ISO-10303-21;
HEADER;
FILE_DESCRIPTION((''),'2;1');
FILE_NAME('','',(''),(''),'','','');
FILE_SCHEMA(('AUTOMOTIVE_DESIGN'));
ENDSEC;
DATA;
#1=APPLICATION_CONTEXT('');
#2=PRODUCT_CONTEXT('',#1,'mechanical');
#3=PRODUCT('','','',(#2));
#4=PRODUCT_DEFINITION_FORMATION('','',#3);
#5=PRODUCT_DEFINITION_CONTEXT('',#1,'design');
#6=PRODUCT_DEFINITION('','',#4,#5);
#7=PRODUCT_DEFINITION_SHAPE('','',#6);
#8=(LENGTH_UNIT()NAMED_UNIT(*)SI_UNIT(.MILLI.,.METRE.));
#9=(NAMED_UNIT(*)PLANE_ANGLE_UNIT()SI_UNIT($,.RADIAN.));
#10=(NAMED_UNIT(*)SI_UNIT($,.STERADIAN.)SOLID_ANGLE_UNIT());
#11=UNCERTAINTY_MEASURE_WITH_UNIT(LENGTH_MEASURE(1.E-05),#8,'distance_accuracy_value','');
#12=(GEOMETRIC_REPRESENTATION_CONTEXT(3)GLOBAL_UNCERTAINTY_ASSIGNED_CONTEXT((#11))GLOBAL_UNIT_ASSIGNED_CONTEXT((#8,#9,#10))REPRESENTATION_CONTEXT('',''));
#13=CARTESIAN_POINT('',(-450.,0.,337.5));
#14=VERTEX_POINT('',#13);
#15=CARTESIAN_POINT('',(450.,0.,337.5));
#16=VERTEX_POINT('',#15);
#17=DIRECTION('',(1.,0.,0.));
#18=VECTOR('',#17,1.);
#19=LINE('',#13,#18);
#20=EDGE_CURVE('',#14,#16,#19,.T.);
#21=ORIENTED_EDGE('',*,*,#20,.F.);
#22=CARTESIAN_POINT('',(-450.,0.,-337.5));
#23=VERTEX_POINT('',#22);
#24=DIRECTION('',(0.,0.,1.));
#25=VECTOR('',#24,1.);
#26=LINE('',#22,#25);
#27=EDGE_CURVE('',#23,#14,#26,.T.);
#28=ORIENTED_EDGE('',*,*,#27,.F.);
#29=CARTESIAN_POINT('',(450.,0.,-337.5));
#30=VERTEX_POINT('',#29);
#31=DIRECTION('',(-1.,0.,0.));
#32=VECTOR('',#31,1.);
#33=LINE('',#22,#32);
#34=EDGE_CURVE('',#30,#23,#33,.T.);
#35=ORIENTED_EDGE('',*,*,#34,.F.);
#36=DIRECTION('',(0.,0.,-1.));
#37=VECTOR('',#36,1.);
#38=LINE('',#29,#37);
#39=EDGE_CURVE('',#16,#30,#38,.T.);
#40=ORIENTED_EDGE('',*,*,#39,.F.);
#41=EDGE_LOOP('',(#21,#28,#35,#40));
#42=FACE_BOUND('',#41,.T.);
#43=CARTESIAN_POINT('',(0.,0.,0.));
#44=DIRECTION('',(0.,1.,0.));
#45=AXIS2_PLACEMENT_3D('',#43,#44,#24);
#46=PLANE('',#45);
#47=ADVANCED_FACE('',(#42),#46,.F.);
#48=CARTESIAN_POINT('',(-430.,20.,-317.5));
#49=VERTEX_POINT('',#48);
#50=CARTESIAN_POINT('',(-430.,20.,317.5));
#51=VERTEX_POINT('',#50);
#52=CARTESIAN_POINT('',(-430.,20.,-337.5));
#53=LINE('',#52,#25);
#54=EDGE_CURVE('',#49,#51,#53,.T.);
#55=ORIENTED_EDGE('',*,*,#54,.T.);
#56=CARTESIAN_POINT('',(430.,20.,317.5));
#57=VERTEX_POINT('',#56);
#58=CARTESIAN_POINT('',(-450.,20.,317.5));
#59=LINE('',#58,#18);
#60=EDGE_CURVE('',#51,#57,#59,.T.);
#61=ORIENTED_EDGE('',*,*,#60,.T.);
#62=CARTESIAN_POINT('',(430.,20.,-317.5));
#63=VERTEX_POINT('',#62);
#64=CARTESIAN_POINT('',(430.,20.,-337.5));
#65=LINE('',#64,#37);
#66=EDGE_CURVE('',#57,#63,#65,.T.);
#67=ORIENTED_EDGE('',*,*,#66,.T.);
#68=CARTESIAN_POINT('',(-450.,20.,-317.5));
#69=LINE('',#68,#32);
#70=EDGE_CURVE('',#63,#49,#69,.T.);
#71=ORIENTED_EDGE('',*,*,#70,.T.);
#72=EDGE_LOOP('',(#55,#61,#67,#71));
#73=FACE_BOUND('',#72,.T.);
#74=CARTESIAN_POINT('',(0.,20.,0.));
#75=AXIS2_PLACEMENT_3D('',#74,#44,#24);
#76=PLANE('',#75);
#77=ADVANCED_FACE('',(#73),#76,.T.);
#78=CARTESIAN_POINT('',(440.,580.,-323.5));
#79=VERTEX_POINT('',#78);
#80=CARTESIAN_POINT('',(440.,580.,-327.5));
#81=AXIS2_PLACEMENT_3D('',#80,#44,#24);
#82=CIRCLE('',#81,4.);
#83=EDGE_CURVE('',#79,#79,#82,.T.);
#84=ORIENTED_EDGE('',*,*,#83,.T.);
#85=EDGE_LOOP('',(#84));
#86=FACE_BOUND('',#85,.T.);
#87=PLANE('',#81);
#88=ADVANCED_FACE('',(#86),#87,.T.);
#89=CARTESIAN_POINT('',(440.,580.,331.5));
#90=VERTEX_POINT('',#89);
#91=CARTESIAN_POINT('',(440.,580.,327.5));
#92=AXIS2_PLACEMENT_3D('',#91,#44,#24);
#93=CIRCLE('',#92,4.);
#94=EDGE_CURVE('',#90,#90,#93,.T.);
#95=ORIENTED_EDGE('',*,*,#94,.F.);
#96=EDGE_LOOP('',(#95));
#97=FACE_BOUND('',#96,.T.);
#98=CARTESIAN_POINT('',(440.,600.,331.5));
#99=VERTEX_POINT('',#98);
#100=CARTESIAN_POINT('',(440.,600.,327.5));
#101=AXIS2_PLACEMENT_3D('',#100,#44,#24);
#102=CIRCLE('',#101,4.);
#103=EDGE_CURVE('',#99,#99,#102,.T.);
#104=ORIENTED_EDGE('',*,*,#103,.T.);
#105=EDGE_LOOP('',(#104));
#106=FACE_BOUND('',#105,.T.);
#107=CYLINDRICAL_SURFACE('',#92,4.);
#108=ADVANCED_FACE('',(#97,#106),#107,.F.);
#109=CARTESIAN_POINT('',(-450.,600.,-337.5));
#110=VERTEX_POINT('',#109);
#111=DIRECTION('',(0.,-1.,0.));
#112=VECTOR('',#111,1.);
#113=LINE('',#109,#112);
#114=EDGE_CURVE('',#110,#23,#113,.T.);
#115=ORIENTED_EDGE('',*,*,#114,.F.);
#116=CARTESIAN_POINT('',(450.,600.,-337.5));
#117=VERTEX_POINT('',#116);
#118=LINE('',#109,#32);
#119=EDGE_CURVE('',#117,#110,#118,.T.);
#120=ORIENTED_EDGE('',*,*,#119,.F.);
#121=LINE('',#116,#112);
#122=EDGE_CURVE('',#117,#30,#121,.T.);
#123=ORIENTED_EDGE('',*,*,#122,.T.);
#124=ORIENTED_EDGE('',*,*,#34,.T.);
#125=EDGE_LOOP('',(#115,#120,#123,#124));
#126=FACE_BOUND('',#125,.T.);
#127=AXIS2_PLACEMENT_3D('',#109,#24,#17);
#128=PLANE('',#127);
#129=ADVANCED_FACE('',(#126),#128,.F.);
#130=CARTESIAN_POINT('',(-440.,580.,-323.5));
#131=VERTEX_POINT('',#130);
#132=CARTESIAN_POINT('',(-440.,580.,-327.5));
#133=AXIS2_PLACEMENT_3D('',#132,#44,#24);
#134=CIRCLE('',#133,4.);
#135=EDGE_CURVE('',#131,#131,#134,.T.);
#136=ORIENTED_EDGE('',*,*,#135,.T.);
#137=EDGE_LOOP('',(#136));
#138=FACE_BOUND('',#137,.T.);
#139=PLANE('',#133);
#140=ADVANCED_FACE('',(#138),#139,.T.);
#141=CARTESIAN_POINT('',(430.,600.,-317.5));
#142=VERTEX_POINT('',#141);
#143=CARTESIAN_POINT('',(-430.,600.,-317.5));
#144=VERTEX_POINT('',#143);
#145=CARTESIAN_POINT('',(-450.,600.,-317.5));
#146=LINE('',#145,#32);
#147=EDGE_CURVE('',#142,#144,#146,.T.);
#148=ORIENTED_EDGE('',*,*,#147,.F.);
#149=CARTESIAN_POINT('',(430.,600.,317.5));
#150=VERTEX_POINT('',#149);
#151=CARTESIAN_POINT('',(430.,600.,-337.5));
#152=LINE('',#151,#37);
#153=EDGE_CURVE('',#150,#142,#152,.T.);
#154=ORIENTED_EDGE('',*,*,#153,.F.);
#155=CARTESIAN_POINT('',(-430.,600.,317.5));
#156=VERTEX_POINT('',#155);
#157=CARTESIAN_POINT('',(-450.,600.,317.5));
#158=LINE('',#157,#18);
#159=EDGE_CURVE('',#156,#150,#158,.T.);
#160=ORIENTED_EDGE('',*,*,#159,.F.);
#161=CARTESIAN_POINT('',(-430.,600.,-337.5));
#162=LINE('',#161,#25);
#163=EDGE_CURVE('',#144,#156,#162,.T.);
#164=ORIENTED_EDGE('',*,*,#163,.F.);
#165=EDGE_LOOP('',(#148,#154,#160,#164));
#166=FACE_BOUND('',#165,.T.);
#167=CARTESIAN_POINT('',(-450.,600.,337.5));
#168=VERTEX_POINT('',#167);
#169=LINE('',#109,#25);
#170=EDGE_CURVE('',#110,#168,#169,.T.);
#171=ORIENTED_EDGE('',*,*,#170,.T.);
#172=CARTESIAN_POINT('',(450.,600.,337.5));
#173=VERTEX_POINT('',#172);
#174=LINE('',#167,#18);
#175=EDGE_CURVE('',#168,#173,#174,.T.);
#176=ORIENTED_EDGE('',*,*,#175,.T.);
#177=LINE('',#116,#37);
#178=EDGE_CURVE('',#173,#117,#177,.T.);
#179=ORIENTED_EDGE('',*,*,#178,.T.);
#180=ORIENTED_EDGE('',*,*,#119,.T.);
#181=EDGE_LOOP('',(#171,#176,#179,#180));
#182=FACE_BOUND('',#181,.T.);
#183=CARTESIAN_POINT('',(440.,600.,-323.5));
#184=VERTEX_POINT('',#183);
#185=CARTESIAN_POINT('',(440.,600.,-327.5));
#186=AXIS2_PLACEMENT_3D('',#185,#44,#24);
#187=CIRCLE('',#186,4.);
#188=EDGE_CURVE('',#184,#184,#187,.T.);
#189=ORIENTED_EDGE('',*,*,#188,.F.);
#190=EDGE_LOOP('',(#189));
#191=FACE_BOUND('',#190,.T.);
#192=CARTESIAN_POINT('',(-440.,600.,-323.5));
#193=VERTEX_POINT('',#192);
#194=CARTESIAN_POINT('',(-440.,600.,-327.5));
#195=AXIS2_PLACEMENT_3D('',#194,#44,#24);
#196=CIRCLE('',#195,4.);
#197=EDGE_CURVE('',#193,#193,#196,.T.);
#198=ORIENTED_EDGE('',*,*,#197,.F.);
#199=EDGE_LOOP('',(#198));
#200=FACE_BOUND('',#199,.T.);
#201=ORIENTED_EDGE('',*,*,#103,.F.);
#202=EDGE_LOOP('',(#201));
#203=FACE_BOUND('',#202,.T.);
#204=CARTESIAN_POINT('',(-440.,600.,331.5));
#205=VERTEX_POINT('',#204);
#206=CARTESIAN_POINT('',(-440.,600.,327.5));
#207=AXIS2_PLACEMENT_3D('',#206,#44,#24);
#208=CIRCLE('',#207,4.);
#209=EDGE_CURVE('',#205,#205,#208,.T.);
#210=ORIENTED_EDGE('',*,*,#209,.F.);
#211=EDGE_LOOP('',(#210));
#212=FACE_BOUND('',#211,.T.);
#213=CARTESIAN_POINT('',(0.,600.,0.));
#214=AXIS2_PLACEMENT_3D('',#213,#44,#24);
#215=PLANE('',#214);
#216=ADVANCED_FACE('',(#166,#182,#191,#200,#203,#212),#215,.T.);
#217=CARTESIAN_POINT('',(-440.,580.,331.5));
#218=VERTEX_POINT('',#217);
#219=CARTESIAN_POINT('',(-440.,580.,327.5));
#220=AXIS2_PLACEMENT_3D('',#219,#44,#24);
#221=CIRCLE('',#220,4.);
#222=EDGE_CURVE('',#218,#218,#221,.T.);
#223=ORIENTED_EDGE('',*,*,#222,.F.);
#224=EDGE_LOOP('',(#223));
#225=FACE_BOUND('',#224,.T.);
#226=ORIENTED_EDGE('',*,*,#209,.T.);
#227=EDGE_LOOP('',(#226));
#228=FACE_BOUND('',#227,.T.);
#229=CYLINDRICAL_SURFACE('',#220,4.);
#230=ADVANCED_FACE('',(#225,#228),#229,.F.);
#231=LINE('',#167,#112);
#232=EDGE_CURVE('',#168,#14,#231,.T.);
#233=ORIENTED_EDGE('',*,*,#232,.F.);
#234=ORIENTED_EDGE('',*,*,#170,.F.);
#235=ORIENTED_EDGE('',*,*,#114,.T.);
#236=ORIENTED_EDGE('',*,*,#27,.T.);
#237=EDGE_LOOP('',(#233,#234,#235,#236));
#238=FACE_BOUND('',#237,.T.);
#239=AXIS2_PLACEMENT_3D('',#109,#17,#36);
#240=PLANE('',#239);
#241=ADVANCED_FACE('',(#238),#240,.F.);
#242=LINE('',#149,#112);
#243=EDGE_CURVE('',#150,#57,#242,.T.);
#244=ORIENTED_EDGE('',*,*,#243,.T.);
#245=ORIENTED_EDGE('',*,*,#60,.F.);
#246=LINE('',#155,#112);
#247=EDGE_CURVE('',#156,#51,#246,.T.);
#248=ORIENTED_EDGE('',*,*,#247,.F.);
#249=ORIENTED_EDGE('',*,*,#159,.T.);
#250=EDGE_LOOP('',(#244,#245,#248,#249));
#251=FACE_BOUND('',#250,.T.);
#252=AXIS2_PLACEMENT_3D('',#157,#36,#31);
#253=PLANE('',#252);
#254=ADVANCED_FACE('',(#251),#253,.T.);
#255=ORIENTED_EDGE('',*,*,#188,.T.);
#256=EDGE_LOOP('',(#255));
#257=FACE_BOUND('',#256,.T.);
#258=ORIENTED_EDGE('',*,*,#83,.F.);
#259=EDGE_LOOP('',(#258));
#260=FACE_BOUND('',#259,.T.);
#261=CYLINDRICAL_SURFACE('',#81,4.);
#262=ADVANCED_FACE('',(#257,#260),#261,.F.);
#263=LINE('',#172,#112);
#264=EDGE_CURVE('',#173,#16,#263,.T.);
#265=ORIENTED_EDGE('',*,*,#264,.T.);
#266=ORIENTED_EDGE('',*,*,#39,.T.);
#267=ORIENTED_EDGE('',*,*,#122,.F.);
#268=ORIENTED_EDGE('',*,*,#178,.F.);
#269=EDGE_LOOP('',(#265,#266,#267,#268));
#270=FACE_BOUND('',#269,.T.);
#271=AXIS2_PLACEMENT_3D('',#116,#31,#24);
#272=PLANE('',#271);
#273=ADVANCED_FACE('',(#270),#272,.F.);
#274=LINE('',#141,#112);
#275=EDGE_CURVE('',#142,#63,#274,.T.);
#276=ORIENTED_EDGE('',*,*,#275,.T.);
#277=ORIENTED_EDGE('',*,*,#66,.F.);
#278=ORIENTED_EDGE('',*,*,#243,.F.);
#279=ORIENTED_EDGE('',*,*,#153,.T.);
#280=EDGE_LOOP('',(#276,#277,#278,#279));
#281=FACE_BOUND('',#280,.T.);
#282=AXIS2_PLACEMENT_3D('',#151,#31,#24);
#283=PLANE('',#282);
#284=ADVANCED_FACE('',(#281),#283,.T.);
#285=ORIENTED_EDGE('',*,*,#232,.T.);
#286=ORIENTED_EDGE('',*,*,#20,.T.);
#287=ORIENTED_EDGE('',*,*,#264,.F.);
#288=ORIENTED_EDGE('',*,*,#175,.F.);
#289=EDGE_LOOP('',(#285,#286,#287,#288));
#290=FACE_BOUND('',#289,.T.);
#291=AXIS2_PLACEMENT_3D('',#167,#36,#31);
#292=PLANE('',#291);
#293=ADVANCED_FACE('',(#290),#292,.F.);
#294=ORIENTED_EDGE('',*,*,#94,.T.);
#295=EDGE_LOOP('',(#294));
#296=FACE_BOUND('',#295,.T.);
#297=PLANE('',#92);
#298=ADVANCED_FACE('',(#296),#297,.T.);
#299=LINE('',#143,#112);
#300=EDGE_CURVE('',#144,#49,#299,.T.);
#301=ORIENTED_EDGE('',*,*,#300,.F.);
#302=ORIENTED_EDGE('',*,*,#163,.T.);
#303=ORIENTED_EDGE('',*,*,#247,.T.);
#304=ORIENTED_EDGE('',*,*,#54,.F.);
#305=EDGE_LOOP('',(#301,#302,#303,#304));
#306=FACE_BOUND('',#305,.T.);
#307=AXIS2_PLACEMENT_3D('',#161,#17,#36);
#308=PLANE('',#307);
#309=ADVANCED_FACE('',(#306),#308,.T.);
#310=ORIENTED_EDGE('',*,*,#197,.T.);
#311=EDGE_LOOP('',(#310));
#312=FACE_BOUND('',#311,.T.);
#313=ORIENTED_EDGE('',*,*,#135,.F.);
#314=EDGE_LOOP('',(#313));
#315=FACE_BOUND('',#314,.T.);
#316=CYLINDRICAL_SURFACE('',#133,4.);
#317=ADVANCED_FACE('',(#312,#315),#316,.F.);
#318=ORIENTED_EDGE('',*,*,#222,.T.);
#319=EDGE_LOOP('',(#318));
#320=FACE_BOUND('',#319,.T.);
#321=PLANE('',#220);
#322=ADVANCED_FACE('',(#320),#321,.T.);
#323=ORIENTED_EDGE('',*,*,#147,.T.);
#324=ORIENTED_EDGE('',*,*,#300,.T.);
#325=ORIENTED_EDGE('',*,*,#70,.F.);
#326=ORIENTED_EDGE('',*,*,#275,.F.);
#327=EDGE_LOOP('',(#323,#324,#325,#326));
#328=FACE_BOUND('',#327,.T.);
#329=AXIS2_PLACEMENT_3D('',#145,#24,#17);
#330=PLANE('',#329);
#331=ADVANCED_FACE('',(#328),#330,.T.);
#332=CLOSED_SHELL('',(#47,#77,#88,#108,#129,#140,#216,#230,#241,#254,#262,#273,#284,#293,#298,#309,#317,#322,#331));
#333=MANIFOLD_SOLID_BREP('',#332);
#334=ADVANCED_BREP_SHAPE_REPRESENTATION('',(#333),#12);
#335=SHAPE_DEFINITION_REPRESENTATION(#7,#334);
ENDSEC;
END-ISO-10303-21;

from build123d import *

# Parameters (mm, degrees)
SKETCH1_W           = 900
SKETCH1_H           = 675
BOSS_EXTRUDE1_DEPTH = 600
SHELL1_T            = -20
SKETCH5_R           = 4
CUT_EXTRUDE1_DEPTH  = 20
SKETCH6_R           = 4
CUT_EXTRUDE2_DEPTH  = 20
SKETCH7_R           = 4
CUT_EXTRUDE3_DEPTH  = 20
SKETCH8_R           = 4
CUT_EXTRUDE4_DEPTH  = 20


with BuildPart() as part:
    # Sketch1 → Boss-Extrude1 (new body)
    with BuildSketch(Plane(origin=(0, 0, 0), x_dir=(1, 0, 0), z_dir=(0, 1, 0))):
        Rectangle(SKETCH1_W, SKETCH1_H)
    extrude(amount=BOSS_EXTRUDE1_DEPTH)

    # Shell1
    shell1_openings = [part.faces().sort_by_distance(p)[0] for p in [
        (0, 600, 0),
    ]]
    offset(amount=SHELL1_T, openings=shell1_openings, kind=Kind.INTERSECTION)

    # Sketch5 → Cut-Extrude1 (cut)
    with BuildSketch(Plane(origin=(0, 600, 0), x_dir=(1, 0, 0), z_dir=(0, 1, 0))):
        with Locations(Location((-440, -327.5, 0), (0, 0, 270))):
            Circle(SKETCH5_R)
    extrude(amount=-CUT_EXTRUDE1_DEPTH, mode=Mode.SUBTRACT)

    # Sketch6 → Cut-Extrude2 (cut)
    with BuildSketch(Plane(origin=(0, 600, 0), x_dir=(1, 0, 0), z_dir=(0, 1, 0))):
        with Locations(Location((440, -327.5, 0), (0, 0, 270))):
            Circle(SKETCH6_R)
    extrude(amount=-CUT_EXTRUDE2_DEPTH, mode=Mode.SUBTRACT)

    # Sketch7 → Cut-Extrude3 (cut)
    with BuildSketch(Plane(origin=(0, 600, 0), x_dir=(1, 0, 0), z_dir=(0, 1, 0))):
        with Locations(Location((440, 327.5, 0), (0, 0, 270))):
            Circle(SKETCH7_R)
    extrude(amount=-CUT_EXTRUDE3_DEPTH, mode=Mode.SUBTRACT)

    # Sketch8 → Cut-Extrude4 (cut)
    with BuildSketch(Plane(origin=(0, 600, 0), x_dir=(1, 0, 0), z_dir=(0, 1, 0))):
        with Locations(Location((-440, 327.5, 0), (0, 0, 270))):
            Circle(SKETCH8_R)
    extrude(amount=-CUT_EXTRUDE4_DEPTH, mode=Mode.SUBTRACT)


solid = part.part
